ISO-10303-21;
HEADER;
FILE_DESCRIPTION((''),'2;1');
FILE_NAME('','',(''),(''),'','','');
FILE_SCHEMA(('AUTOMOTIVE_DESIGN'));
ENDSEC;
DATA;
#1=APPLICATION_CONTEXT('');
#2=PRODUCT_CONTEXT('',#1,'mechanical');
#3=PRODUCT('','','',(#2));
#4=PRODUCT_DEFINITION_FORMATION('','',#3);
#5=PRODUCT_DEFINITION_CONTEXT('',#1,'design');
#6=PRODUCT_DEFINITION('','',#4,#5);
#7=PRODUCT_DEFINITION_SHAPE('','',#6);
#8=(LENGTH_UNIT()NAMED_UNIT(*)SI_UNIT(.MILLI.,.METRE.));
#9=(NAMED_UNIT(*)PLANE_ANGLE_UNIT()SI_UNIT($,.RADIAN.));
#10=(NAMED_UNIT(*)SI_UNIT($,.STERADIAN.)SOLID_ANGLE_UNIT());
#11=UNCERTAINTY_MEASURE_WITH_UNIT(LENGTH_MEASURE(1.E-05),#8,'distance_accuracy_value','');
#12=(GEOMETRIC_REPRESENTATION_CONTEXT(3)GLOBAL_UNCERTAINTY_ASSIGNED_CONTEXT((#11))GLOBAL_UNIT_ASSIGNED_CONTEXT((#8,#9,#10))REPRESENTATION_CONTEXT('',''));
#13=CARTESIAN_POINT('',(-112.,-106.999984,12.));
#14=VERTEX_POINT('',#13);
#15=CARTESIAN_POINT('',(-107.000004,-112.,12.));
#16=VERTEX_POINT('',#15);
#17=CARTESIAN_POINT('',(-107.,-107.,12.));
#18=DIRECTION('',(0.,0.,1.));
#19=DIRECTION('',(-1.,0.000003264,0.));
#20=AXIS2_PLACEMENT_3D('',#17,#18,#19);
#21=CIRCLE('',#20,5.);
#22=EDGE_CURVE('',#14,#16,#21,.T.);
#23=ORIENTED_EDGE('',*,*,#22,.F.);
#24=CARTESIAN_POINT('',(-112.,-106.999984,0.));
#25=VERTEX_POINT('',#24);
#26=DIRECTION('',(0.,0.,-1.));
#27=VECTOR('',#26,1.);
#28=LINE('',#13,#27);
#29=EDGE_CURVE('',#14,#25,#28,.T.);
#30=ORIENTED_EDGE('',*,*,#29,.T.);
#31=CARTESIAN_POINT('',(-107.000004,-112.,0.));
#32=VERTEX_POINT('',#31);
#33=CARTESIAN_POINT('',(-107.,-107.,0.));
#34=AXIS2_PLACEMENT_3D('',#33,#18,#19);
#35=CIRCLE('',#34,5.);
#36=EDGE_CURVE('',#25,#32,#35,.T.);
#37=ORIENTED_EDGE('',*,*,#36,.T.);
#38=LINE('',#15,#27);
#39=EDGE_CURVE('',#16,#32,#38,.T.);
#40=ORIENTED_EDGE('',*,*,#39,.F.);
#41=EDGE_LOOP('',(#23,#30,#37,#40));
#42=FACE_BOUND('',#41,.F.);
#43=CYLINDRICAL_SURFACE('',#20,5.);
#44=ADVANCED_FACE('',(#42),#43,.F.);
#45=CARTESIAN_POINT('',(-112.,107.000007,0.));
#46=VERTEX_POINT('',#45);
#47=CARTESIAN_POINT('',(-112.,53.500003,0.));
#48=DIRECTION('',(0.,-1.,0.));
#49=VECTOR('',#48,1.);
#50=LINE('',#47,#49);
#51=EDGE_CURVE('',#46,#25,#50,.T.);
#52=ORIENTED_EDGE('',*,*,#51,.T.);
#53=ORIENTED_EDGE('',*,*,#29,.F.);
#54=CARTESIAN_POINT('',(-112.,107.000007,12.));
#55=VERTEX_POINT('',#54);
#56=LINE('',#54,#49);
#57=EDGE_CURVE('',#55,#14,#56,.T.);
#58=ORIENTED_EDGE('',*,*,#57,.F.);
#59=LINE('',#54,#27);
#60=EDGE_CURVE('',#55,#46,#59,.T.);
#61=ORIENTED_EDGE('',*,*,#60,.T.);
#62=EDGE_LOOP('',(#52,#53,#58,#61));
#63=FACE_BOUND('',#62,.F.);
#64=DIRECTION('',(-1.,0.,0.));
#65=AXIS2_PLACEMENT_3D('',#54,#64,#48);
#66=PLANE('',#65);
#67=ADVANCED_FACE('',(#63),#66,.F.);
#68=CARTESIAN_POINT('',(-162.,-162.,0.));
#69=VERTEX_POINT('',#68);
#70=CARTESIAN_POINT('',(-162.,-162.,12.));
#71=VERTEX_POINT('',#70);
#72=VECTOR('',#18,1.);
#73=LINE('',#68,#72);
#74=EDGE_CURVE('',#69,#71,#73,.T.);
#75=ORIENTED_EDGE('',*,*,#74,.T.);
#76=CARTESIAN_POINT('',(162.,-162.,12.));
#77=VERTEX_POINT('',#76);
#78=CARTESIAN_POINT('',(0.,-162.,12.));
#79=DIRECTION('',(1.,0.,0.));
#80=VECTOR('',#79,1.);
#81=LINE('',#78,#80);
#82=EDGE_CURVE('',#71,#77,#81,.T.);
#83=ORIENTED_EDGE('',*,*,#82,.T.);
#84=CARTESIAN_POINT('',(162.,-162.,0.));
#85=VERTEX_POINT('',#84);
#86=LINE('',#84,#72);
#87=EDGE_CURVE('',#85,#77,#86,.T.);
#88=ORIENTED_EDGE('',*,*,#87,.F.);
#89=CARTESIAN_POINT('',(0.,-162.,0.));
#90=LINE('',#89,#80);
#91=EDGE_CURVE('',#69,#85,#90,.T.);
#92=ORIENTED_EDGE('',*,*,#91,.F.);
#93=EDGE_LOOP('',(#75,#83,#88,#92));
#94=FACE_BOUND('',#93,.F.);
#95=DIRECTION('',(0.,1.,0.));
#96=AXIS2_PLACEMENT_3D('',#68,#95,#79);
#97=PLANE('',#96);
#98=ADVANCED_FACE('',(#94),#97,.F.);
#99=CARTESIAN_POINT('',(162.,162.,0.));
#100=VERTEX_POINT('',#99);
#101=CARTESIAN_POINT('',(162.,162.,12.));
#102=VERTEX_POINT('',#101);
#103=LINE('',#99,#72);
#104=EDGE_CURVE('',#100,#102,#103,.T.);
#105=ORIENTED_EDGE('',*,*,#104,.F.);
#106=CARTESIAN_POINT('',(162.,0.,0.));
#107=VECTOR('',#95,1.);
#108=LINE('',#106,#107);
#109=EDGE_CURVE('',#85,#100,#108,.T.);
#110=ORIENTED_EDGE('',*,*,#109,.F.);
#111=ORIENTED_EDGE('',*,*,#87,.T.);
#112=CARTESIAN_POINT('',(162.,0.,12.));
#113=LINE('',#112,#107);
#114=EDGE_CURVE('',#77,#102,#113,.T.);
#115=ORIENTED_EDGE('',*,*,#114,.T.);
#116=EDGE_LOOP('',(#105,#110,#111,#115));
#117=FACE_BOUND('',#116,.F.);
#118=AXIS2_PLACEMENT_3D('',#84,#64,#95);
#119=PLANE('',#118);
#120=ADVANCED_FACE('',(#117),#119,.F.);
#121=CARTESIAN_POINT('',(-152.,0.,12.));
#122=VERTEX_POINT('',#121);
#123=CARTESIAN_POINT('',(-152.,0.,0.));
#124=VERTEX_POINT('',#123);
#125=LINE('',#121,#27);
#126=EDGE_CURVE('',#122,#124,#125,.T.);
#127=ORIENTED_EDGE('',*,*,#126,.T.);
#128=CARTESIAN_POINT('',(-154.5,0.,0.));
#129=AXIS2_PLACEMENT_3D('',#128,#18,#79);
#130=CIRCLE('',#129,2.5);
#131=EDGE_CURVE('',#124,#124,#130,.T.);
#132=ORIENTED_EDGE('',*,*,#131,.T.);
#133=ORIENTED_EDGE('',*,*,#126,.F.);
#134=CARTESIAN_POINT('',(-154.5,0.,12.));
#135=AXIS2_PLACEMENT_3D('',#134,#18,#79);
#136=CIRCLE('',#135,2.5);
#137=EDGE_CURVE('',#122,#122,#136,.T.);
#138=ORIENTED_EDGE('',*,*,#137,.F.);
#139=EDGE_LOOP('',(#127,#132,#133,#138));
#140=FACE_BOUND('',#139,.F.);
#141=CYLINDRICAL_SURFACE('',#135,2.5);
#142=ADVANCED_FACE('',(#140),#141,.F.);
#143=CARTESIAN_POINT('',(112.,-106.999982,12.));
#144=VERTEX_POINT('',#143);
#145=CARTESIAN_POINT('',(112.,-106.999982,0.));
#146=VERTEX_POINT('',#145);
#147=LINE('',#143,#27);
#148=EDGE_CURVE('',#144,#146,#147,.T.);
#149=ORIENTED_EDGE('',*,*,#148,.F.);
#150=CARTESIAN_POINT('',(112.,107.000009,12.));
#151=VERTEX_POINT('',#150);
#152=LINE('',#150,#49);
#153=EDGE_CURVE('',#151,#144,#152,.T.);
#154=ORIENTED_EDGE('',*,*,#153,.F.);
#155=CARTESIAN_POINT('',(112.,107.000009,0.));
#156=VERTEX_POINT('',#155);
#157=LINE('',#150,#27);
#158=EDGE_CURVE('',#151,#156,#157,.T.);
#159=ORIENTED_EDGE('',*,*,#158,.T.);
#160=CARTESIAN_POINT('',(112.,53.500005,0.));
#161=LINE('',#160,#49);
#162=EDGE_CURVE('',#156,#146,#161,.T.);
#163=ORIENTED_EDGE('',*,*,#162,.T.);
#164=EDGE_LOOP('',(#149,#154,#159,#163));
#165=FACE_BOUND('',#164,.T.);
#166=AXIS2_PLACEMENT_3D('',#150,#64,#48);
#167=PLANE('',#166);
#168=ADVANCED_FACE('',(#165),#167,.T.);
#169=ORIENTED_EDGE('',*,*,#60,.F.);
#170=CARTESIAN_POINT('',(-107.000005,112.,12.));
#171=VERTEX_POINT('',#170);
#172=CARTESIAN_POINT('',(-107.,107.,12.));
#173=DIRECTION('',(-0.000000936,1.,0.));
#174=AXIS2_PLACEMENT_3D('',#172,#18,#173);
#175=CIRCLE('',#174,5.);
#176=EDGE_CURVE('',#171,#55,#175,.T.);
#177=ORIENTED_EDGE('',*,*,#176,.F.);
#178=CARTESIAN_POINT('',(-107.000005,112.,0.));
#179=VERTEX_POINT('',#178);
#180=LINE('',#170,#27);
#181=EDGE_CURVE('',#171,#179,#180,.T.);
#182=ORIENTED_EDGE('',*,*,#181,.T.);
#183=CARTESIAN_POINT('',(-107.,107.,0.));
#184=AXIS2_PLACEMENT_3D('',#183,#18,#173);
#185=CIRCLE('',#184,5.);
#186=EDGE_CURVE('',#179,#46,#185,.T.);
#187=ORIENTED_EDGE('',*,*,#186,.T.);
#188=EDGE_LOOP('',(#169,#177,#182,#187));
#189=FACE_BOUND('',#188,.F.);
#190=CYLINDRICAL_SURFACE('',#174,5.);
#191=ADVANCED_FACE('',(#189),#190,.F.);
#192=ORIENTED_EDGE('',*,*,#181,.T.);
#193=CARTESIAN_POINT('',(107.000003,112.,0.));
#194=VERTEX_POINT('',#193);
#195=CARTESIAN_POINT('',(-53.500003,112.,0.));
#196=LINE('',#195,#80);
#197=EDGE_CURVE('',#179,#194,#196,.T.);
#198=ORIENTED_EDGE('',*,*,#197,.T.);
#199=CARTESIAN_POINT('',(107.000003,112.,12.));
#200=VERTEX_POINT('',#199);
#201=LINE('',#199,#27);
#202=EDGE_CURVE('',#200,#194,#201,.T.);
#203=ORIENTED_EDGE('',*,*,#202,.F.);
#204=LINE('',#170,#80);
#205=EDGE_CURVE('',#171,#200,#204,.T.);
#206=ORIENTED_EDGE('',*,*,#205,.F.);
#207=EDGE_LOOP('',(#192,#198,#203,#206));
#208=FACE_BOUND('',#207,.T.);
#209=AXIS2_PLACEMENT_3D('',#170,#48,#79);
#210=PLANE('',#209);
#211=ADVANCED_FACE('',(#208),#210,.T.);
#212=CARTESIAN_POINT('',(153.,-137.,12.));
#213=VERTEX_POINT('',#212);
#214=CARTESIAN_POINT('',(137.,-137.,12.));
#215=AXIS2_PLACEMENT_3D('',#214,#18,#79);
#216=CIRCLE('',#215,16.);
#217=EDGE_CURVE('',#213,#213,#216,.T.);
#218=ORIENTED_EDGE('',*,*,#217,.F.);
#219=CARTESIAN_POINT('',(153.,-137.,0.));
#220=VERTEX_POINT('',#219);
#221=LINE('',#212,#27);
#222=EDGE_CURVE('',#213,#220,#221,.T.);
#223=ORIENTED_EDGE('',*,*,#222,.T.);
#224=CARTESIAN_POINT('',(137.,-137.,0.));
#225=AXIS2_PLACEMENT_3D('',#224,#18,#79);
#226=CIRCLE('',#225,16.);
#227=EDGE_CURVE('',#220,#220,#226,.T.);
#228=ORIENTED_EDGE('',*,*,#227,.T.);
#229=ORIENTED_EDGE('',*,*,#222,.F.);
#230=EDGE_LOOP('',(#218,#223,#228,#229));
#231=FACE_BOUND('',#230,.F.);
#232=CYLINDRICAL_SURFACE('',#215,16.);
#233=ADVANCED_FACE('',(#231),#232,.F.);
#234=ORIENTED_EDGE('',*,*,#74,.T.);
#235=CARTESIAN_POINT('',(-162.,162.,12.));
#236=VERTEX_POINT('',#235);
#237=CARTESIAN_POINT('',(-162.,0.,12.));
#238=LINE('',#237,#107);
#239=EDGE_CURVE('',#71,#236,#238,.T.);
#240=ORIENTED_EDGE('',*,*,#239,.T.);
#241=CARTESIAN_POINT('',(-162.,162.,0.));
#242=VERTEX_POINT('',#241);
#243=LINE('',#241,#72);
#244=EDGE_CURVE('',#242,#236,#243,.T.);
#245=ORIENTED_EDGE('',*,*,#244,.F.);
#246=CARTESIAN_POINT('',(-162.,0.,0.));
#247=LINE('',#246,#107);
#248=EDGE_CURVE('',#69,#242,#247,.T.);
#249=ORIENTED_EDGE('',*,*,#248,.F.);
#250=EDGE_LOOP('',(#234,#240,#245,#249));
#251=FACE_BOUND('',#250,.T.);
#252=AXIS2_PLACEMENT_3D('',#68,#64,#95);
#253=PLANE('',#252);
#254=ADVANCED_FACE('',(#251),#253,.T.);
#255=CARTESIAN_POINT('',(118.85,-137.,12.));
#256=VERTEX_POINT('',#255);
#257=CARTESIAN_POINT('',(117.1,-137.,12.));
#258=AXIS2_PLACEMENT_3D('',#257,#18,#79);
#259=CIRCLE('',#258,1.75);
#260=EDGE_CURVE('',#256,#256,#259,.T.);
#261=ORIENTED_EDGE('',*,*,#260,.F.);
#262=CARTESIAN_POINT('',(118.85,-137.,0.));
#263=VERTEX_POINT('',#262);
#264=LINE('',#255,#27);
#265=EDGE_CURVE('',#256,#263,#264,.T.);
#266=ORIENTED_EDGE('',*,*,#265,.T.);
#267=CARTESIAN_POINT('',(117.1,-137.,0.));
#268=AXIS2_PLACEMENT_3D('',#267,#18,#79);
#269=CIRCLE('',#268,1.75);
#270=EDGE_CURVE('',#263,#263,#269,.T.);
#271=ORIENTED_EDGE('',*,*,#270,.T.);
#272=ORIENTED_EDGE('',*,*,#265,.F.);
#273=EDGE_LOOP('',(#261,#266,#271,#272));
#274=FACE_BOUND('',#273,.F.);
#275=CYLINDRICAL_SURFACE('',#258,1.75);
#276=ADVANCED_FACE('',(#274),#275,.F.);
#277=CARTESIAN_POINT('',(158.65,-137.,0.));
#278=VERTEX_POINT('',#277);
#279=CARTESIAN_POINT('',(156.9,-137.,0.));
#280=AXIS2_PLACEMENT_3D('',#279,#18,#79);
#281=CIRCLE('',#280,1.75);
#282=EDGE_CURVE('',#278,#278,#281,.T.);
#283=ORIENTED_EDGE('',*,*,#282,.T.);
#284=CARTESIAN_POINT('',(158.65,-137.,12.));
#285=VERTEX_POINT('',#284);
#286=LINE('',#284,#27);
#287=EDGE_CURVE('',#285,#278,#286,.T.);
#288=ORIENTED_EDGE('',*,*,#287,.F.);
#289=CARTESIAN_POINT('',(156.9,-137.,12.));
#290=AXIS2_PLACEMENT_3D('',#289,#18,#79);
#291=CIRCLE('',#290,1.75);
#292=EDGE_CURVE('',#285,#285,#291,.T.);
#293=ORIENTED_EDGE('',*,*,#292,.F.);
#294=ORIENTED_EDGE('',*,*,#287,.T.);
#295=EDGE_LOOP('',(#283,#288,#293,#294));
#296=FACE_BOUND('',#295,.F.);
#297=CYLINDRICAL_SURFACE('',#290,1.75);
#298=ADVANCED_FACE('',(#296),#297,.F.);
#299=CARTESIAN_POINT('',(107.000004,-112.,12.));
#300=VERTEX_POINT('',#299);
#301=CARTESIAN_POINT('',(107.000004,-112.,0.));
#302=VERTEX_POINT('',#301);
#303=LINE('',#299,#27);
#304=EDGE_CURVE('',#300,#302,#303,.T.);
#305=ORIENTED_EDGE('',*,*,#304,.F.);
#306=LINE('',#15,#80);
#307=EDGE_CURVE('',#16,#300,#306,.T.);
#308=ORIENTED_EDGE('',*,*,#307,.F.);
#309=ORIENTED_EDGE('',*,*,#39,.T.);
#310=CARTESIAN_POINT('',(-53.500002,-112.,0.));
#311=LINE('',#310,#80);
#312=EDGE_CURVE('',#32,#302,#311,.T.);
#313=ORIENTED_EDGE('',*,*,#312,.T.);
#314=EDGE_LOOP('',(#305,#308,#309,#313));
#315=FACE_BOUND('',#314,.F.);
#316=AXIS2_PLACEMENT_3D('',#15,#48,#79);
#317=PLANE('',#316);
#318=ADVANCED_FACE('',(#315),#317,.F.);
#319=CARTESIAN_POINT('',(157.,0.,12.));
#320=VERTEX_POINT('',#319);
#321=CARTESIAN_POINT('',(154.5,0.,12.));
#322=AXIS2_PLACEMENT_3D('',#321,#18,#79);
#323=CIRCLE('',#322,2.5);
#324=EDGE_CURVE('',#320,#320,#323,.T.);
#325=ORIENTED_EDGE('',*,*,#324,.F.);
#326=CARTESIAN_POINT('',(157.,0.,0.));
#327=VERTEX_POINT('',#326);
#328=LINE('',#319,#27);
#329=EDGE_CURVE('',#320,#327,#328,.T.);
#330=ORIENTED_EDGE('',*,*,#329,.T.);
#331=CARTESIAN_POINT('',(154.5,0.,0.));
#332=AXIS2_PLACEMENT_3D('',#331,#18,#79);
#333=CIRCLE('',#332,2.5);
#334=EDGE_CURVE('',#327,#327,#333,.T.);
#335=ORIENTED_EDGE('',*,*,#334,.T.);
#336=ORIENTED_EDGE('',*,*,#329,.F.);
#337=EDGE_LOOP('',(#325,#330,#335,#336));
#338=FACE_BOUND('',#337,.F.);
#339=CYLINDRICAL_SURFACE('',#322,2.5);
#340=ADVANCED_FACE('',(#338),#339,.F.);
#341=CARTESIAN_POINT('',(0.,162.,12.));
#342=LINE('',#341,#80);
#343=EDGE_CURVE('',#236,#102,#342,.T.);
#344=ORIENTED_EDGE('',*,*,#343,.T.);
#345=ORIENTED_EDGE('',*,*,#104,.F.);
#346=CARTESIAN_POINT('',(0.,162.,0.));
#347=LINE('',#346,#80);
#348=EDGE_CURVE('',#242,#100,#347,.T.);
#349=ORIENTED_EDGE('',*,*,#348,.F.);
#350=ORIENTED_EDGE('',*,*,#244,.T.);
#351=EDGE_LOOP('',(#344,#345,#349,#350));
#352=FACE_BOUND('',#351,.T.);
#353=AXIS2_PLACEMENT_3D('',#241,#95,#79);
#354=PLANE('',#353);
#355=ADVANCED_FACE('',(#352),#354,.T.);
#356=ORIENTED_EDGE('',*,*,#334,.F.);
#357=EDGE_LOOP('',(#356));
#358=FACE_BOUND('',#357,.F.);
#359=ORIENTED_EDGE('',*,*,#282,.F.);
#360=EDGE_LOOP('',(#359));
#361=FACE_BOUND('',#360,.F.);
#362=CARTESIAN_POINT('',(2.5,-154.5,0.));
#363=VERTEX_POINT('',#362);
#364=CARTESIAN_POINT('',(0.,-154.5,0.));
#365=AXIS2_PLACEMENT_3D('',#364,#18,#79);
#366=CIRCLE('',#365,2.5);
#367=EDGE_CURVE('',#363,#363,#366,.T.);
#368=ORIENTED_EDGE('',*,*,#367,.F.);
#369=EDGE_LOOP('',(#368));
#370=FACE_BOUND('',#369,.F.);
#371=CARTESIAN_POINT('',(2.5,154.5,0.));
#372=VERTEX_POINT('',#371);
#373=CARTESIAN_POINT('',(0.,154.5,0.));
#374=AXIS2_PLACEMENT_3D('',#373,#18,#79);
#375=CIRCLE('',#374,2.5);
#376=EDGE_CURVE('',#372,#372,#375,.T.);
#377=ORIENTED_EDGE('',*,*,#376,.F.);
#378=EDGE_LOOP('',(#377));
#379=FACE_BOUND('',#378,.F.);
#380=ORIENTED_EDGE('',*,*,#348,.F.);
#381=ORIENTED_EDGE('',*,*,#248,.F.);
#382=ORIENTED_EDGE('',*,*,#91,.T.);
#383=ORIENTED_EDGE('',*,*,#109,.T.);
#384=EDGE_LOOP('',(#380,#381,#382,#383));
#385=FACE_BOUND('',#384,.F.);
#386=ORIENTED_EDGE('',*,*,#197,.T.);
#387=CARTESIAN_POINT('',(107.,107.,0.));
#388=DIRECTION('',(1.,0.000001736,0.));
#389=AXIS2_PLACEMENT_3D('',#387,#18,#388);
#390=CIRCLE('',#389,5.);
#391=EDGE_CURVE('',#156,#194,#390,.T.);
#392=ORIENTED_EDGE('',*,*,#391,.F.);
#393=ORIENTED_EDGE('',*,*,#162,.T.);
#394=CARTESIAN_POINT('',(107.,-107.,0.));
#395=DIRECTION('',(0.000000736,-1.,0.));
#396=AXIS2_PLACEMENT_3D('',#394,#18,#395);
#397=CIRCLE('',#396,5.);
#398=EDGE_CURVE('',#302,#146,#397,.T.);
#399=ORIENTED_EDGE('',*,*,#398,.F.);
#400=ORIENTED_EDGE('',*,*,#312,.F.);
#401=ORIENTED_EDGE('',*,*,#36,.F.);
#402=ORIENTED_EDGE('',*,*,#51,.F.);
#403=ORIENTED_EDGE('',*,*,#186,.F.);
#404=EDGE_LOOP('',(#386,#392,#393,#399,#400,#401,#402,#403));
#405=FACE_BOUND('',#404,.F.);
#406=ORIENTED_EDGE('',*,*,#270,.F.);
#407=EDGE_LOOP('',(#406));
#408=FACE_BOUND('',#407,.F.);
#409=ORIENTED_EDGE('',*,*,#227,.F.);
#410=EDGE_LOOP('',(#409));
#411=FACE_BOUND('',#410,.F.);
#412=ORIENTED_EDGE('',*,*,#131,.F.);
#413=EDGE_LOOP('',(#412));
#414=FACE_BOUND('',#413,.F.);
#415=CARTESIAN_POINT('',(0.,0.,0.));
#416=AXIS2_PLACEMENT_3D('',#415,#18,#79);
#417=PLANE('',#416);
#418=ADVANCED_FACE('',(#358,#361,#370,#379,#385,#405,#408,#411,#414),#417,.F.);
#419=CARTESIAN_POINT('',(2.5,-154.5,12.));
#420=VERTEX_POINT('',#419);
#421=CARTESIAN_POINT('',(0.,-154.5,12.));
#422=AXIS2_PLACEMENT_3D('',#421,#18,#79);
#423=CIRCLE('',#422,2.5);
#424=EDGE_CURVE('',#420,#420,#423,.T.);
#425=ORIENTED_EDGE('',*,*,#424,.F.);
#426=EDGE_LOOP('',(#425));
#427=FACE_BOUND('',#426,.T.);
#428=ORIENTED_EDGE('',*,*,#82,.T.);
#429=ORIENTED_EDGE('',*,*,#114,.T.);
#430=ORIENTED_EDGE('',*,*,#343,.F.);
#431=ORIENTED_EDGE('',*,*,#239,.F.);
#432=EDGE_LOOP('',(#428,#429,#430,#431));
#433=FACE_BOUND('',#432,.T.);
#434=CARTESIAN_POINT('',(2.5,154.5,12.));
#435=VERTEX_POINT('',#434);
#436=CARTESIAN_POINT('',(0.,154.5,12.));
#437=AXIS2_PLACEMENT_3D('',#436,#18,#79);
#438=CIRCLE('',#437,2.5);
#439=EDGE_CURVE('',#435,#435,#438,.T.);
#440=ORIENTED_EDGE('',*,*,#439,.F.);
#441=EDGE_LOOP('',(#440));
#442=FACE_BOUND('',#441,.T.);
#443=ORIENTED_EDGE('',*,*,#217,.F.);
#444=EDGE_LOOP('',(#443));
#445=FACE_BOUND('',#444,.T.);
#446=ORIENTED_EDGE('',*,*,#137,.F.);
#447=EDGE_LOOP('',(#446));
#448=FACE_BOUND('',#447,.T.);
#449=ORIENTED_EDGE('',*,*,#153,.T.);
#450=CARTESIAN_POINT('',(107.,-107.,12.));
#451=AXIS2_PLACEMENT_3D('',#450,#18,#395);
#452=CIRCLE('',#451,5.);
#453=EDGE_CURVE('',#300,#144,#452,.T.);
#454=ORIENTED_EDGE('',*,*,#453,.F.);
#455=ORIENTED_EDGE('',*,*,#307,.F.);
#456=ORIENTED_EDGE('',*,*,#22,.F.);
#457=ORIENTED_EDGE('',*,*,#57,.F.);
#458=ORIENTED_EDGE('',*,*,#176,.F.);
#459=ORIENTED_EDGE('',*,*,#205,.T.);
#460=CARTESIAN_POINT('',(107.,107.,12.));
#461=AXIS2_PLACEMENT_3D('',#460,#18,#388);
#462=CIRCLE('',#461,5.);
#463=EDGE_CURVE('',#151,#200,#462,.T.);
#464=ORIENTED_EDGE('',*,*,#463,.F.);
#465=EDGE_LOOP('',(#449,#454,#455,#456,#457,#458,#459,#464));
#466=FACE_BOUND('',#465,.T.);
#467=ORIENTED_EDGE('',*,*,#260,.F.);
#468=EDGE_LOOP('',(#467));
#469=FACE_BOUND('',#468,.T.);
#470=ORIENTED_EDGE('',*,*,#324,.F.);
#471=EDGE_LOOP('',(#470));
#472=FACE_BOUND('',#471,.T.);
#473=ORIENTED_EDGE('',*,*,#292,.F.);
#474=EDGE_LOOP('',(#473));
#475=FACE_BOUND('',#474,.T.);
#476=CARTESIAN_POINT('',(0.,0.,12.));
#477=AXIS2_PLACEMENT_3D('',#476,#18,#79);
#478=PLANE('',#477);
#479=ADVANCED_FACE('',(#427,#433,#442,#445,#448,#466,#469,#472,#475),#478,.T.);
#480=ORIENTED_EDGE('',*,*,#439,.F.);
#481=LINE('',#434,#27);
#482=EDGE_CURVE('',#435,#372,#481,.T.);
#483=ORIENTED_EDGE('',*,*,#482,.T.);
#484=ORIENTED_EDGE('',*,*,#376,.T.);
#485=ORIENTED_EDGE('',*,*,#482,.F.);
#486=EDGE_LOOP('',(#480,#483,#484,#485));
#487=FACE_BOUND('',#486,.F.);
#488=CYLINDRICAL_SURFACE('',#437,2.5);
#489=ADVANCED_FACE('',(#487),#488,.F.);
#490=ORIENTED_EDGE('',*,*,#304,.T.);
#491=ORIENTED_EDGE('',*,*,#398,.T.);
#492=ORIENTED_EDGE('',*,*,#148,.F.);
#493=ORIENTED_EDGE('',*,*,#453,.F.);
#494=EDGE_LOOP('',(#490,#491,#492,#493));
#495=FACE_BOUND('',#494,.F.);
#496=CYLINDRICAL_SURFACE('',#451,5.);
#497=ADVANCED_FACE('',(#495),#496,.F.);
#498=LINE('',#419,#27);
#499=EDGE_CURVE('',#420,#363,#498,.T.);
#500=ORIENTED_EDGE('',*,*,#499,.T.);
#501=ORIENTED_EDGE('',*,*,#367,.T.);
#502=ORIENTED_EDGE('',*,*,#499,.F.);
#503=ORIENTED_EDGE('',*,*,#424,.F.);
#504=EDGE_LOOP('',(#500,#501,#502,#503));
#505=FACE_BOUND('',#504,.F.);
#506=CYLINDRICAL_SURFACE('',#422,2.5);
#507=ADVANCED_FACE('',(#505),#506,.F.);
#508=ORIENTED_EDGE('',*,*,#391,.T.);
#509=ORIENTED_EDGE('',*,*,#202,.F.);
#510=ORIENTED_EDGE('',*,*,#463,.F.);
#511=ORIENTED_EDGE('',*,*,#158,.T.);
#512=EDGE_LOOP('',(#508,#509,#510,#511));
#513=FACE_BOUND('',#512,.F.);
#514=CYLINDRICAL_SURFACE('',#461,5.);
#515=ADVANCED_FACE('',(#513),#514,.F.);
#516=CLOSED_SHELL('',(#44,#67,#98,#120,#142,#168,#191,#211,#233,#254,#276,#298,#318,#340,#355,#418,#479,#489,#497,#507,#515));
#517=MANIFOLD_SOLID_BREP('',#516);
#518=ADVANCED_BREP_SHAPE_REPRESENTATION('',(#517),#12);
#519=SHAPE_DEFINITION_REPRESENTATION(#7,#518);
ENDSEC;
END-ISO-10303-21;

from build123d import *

# Parameters (mm, degrees)
SKETCH_W        = 324
SKETCH_H        = 324
PAD_DEPTH       = 12
POCKET_DEPTH    = 12.001
SKETCH002_R     = 2.5
POCKET001_DEPTH = 12.001
SKETCH003_R     = 16
SKETCH003_R_2   = 1.75
POCKET002_DEPTH = 12.001


with BuildPart() as part:
    # Sketch → Pad (new body)
    with BuildSketch(Plane.XY):
        Rectangle(SKETCH_W, SKETCH_H)
    extrude(amount=PAD_DEPTH)

    # Sketch001 (on Face6 of Pad) → Pocket (cut, through all)
    with BuildSketch(Plane.XY.offset(12)):
        with BuildLine():
            Line((-112, 107.000007), (-112, -106.999984))
            ThreePointArc((-112, -106.999984), (-110.535541, -110.535527), (-107.000004, -112))
            Line((-107.000004, -112), (107.000004, -112))
            ThreePointArc((107.000004, -112), (110.535542, -110.535526), (112, -106.999982))
            Line((112, 107.000009), (112, -106.999982))
            ThreePointArc((112, 107.000009), (110.535532, 110.535536), (107.000003, 112))
            Line((-107.000005, 112), (107.000003, 112))
            ThreePointArc((-107.000005, 112), (-110.535533, 110.535535), (-112, 107.000007))
        make_face()
    extrude(amount=-POCKET_DEPTH, mode=Mode.SUBTRACT)

    # Sketch002 (on Face5 of Pocket) → Pocket001 (cut, through all)
    with BuildSketch(Plane.XY.offset(12)):
        with Locations((0, 154.5)):
            Circle(SKETCH002_R)
        with Locations((-154.5, 0)):
            Circle(SKETCH002_R)
        with Locations((154.5, 0)):
            Circle(SKETCH002_R)
        with Locations((0, -154.5)):
            Circle(SKETCH002_R)
    extrude(amount=-POCKET001_DEPTH, mode=Mode.SUBTRACT)

    # Sketch003 (on Face5 of Pocket001) → Pocket002 (cut, through all)
    with BuildSketch(Plane.XY.offset(12)):
        with Locations((137, -137)):
            Circle(SKETCH003_R)
        with Locations((117.1, -137)):
            Circle(SKETCH003_R_2)
        with Locations((156.9, -137)):
            Circle(SKETCH003_R_2)
    extrude(amount=-POCKET002_DEPTH, mode=Mode.SUBTRACT)


solid = part.part
